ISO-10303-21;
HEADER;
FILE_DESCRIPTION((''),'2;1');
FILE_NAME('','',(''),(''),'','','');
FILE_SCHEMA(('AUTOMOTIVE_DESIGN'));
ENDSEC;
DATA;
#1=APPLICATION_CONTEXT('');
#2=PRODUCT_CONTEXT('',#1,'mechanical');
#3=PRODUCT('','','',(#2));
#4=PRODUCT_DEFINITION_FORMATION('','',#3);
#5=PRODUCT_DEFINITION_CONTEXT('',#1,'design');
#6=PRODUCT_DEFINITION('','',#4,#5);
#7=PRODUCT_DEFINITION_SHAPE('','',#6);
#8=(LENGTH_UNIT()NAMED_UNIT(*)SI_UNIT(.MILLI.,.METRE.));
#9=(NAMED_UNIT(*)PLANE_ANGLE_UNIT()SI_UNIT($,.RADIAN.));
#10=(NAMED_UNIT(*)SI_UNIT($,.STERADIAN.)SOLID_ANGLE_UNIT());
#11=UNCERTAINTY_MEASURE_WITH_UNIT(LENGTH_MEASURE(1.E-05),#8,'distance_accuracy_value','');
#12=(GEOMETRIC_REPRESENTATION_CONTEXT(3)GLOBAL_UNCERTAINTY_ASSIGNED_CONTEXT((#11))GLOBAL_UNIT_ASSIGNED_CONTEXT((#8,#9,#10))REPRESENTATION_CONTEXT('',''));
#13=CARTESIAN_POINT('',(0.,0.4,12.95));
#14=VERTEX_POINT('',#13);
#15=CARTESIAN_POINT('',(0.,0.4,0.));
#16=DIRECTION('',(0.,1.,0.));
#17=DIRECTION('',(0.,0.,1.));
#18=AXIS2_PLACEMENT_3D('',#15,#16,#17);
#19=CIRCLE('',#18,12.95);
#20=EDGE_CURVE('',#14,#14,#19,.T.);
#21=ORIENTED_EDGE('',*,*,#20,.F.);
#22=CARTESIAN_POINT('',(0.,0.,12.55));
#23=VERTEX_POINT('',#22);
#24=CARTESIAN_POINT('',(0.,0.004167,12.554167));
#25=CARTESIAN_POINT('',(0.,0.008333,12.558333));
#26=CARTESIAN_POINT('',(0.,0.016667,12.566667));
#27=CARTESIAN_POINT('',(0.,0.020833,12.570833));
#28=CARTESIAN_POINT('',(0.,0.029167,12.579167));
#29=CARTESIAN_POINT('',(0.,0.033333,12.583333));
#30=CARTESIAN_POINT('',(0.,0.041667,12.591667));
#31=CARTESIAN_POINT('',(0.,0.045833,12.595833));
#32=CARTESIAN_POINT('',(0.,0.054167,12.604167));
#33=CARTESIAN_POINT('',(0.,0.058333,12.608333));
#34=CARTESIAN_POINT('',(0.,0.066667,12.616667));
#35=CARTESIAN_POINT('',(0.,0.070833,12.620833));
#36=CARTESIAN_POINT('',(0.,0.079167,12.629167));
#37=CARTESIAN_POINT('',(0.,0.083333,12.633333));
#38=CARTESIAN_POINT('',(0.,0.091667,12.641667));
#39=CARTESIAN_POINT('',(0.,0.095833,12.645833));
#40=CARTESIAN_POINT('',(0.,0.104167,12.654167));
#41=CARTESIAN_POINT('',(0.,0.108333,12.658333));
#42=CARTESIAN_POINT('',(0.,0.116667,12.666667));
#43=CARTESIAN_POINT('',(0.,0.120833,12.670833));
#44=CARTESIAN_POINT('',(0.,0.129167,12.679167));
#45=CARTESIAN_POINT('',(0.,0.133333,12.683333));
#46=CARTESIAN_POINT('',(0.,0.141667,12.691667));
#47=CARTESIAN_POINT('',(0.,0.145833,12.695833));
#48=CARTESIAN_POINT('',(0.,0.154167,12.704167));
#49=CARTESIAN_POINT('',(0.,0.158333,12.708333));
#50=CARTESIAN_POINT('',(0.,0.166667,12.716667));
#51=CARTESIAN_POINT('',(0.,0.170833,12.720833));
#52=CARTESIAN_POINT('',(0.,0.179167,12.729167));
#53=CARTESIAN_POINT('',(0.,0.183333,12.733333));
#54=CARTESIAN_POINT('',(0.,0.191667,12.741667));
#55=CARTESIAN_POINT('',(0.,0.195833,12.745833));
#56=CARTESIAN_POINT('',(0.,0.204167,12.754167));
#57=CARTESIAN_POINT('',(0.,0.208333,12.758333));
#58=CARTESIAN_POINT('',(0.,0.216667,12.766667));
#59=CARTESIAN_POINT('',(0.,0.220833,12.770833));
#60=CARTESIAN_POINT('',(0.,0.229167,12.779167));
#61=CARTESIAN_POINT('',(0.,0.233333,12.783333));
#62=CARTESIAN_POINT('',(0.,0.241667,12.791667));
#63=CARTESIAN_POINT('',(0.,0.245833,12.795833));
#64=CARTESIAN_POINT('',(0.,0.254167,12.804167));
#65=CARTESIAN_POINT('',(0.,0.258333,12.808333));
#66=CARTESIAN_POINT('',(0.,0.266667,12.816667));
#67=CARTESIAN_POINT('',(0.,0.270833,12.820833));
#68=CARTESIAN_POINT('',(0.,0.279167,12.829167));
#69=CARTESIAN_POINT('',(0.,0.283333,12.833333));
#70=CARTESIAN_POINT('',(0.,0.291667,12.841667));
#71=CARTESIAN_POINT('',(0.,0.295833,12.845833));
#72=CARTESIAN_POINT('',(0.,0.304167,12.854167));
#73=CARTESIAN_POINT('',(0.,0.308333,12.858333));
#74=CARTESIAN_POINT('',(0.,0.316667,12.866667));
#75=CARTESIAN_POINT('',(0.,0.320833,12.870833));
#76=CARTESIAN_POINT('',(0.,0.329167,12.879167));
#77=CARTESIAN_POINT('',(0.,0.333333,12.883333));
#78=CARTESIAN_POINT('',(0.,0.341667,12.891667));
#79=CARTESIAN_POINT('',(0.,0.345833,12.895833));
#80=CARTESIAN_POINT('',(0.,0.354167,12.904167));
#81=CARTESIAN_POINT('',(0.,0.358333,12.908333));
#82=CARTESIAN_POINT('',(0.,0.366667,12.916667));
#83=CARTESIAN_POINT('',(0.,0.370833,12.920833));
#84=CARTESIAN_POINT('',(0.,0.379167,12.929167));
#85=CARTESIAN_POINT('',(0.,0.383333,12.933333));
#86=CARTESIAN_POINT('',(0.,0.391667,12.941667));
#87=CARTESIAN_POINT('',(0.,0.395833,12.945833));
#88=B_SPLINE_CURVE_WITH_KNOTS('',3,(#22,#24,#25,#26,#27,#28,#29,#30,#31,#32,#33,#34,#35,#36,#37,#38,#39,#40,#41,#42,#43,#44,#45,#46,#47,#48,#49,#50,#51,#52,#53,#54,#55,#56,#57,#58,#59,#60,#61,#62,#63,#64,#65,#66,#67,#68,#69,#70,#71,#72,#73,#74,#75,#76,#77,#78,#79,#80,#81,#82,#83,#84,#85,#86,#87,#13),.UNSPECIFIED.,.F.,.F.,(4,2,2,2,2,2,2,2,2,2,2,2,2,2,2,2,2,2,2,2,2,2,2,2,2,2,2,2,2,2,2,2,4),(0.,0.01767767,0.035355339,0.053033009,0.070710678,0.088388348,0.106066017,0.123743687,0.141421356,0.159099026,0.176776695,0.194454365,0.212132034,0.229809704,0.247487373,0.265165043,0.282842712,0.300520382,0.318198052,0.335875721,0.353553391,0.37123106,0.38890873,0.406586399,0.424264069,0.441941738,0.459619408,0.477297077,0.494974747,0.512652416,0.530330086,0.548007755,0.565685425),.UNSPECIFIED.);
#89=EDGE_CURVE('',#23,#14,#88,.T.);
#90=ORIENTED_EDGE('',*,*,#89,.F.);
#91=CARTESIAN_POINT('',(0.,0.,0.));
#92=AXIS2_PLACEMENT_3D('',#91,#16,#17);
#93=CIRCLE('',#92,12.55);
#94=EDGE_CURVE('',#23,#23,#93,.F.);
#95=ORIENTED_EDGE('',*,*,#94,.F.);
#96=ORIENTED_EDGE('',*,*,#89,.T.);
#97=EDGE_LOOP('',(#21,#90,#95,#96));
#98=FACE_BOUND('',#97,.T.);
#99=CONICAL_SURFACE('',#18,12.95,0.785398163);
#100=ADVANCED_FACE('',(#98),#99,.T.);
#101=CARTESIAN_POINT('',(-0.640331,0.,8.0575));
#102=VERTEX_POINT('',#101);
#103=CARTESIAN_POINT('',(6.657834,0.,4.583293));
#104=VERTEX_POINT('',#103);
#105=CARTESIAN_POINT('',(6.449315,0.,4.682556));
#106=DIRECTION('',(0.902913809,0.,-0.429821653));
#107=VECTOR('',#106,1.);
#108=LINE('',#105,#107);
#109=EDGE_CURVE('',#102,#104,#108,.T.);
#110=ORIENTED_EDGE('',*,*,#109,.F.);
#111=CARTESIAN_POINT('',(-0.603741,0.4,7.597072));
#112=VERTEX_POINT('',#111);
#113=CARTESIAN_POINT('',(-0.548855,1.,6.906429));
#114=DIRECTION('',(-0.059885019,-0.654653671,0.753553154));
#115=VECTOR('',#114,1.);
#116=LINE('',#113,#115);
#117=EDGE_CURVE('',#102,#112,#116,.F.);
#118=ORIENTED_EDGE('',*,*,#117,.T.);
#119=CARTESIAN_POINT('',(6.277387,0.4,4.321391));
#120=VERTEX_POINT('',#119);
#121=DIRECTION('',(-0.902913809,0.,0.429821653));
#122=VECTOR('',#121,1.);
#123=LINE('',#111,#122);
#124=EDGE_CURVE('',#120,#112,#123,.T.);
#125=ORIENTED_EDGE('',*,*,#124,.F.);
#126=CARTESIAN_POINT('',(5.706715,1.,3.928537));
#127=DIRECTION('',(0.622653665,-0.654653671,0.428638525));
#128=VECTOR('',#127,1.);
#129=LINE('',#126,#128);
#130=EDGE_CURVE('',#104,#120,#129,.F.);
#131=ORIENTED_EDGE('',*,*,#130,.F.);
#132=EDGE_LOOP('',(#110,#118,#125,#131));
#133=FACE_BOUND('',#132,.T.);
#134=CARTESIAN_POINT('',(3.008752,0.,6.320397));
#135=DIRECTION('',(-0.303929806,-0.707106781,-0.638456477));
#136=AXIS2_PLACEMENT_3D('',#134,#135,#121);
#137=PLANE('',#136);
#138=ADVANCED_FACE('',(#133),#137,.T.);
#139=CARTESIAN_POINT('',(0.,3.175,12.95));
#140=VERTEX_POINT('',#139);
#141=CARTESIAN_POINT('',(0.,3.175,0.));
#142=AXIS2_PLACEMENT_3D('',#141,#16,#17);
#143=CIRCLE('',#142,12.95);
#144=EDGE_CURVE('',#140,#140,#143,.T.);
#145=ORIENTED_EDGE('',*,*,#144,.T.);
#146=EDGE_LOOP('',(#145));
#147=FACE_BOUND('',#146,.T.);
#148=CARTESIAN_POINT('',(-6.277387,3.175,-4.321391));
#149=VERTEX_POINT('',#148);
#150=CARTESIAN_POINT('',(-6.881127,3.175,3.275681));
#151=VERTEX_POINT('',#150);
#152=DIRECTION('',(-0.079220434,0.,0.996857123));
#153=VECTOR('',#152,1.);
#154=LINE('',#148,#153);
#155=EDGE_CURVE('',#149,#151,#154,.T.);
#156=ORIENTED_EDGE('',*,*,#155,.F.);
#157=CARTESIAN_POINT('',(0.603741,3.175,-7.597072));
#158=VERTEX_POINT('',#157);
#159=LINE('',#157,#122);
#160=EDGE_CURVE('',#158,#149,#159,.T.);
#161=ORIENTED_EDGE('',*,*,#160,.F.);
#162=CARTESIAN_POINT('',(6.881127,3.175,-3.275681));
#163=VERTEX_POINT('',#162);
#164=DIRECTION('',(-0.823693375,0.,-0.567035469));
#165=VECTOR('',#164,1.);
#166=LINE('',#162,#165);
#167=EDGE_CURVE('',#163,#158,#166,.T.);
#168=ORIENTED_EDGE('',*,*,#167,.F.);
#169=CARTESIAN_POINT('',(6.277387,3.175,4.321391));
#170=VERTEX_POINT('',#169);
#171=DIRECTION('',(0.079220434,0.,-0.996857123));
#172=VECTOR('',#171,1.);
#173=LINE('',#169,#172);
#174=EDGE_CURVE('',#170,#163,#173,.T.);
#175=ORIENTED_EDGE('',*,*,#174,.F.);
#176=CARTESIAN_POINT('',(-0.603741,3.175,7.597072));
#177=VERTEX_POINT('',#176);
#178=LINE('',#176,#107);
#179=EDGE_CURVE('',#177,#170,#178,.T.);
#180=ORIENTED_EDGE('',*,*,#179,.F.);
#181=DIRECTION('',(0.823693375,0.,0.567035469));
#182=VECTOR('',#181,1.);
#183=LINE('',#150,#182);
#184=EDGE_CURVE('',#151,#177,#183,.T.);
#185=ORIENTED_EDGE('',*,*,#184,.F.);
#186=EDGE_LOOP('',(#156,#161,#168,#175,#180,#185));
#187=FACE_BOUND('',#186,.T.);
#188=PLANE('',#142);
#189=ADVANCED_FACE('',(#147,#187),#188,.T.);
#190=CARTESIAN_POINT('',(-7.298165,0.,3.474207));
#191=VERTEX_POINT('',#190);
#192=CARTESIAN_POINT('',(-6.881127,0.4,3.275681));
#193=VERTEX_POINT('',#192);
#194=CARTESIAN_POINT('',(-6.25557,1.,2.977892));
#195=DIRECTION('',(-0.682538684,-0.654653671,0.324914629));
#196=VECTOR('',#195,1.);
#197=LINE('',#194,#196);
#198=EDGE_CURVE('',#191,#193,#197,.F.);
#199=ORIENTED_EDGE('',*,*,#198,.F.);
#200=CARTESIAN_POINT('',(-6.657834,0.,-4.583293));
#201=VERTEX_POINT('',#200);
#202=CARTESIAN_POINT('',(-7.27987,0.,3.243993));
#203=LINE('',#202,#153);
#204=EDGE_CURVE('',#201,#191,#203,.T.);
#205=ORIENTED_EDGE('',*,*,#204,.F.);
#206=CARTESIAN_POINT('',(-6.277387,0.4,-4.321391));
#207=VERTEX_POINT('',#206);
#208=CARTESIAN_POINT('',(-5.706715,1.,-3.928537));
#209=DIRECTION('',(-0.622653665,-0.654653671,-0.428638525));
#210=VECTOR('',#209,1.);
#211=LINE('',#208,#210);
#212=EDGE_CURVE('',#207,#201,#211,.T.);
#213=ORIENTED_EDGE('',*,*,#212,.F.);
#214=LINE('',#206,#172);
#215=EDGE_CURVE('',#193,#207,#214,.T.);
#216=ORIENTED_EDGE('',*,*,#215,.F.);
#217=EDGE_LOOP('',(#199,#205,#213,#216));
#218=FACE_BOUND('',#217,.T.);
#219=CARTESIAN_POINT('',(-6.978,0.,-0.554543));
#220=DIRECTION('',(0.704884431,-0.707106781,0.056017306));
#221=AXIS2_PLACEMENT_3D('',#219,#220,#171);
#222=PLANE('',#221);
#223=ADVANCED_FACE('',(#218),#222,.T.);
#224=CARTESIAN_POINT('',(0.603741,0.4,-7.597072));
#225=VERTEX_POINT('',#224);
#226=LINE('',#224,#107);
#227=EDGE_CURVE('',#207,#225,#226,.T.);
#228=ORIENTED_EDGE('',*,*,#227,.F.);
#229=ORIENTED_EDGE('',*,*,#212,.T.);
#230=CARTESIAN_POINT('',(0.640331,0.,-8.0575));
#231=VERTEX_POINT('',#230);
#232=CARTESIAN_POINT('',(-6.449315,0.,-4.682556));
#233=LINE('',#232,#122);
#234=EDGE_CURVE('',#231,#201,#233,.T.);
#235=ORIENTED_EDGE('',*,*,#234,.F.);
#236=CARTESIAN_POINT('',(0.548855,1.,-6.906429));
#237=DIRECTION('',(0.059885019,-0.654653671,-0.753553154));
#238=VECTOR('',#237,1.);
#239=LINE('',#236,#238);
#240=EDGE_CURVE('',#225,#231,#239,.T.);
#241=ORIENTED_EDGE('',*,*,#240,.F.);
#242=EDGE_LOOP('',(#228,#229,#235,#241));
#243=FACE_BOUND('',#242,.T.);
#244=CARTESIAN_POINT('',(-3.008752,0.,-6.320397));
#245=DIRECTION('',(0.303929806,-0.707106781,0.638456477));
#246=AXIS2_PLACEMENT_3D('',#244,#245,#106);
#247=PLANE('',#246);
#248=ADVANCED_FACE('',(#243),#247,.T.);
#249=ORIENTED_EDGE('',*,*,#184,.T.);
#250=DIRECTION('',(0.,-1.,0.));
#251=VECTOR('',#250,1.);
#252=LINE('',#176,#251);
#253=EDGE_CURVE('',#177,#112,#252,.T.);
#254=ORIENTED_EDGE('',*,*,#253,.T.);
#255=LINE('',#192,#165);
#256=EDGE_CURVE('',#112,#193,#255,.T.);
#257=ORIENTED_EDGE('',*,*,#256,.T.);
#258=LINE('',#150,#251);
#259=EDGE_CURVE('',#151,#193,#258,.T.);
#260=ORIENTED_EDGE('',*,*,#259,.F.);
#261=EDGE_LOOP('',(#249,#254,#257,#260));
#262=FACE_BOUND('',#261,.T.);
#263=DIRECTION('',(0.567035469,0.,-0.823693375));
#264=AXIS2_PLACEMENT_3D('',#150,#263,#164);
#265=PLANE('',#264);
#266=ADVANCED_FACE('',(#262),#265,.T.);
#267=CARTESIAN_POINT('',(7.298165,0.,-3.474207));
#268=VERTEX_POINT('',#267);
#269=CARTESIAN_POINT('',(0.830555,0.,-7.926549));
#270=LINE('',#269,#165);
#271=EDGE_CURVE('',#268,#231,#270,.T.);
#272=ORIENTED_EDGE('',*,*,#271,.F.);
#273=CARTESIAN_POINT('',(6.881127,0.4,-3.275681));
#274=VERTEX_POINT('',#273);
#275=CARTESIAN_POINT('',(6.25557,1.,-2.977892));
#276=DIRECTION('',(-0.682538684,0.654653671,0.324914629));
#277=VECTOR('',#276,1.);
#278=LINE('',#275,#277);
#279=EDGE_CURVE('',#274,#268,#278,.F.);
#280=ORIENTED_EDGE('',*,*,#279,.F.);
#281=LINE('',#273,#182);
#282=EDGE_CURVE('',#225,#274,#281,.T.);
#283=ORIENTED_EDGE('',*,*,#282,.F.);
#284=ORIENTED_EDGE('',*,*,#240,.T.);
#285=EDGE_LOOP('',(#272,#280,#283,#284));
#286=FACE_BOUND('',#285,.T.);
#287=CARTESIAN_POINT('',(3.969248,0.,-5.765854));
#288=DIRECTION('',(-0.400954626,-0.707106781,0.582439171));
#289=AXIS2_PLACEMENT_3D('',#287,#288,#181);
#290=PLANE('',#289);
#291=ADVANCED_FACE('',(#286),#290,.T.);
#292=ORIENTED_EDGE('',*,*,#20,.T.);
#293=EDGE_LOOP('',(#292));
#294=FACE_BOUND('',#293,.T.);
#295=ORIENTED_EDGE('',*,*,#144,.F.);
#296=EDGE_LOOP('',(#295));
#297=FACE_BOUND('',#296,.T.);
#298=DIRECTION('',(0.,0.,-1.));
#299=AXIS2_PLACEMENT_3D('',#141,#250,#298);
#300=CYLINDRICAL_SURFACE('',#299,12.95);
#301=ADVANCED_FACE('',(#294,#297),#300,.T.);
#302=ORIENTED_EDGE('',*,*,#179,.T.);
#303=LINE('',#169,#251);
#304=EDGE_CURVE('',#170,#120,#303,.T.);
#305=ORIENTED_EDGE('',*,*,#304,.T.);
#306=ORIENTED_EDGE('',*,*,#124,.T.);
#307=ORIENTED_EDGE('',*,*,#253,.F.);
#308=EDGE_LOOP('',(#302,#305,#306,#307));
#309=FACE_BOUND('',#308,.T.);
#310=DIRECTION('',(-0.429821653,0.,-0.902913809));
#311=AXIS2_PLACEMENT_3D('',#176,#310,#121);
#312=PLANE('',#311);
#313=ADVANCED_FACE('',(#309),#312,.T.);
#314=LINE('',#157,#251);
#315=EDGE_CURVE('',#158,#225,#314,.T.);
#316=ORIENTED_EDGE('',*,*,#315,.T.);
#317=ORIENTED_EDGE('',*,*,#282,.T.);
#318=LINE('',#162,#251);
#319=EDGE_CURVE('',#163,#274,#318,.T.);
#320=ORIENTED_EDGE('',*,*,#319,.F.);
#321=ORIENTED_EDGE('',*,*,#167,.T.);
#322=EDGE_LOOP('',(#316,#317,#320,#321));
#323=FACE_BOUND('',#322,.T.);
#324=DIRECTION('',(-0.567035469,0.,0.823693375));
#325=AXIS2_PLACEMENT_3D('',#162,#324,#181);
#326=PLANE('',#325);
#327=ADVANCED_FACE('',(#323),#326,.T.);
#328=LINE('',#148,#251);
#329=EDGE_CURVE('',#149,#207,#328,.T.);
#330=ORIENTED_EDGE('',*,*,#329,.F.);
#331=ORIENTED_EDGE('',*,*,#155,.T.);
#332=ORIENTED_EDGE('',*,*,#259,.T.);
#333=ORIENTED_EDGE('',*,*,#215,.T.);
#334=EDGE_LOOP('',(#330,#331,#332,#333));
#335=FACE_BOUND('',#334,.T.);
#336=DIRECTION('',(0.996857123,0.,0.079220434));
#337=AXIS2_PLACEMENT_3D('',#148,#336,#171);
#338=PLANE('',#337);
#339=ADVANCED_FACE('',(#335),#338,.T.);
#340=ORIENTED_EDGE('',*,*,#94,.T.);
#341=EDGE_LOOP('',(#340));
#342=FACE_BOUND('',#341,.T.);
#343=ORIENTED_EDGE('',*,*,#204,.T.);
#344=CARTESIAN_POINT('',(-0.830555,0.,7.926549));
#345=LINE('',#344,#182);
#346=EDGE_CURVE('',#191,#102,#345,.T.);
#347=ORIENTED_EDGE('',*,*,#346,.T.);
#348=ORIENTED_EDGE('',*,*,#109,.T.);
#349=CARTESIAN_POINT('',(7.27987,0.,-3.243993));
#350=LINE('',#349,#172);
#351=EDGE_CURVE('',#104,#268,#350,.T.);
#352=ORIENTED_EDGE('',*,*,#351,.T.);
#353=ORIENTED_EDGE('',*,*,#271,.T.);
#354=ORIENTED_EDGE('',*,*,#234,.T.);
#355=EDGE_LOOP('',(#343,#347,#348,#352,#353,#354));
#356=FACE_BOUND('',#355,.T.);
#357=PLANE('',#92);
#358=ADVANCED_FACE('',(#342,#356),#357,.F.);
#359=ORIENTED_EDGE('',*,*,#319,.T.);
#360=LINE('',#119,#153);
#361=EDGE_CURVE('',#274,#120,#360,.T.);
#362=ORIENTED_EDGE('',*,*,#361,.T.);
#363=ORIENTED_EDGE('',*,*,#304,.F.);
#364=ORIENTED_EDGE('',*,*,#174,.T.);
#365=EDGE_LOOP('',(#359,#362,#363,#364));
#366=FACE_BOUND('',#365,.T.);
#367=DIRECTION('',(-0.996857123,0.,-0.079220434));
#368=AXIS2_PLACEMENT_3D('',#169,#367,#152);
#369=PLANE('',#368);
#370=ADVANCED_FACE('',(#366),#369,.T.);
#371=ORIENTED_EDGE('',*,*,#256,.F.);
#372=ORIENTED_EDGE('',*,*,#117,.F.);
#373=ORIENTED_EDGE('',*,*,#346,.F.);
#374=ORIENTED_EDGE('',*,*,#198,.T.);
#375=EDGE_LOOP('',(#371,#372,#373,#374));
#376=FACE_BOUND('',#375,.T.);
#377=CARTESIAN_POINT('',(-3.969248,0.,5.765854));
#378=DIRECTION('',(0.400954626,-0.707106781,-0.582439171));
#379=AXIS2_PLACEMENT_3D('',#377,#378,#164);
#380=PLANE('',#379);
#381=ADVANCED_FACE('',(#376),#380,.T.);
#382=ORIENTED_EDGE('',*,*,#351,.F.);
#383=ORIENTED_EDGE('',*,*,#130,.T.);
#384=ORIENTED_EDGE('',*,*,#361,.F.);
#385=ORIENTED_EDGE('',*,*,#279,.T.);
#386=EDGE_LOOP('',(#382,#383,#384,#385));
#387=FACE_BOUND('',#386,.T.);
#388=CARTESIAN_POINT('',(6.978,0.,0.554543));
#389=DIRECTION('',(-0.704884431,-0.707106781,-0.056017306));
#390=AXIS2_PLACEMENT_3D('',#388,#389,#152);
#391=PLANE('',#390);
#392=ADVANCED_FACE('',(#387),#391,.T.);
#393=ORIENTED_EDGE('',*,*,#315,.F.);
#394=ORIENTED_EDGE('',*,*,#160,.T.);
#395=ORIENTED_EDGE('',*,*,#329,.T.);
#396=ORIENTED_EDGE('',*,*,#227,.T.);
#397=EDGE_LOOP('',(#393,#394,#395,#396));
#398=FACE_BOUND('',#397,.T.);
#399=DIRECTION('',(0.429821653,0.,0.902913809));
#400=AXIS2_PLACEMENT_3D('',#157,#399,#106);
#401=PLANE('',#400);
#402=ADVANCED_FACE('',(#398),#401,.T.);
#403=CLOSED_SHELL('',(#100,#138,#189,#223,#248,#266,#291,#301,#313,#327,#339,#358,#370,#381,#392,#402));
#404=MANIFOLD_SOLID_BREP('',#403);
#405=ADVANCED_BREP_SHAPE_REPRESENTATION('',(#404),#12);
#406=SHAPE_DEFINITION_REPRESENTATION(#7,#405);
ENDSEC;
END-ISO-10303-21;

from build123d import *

# Parameters (mm, degrees)
SKETCH1_R           = 12.95
BOSS_EXTRUDE1_DEPTH = 3.175
CHAMFER1_SIZE       = 0.4


with BuildPart() as part:
    # Sketch1 → Boss-Extrude1 (new body)
    with BuildSketch(Plane(origin=(0, 0, 0), x_dir=(1, 0, 0), z_dir=(0, 1, 0))):
        with Locations(Location((0, 0, 0), (0, 0, 270))):
            Circle(SKETCH1_R)
        Polygon((0.60374079, 7.597071611), (-6.277386614, 4.321390667), (-6.881127404, -3.275680944), (-0.60374079, -7.597071611), (6.277386614, -4.321390667), (6.881127404, 3.275680944), align=None, mode=Mode.SUBTRACT)
    extrude(amount=BOSS_EXTRUDE1_DEPTH)

    # Chamfer1
    chamfer1_edges = [part.edges().sort_by_distance(p)[0] for p in [
        (-6.579257009, 0, -0.522854862),
        (-3.742434097, 0, 5.436376277),
        (2.836822912, 0, 5.959231139),
        (6.579257009, 0, 0.522854862),
        (0, 0, -12.95),
        (3.742434097, 0, -5.436376277),
        (-2.836822912, 0, -5.959231139),
    ]]
    chamfer(chamfer1_edges, length=CHAMFER1_SIZE)


solid = part.part
